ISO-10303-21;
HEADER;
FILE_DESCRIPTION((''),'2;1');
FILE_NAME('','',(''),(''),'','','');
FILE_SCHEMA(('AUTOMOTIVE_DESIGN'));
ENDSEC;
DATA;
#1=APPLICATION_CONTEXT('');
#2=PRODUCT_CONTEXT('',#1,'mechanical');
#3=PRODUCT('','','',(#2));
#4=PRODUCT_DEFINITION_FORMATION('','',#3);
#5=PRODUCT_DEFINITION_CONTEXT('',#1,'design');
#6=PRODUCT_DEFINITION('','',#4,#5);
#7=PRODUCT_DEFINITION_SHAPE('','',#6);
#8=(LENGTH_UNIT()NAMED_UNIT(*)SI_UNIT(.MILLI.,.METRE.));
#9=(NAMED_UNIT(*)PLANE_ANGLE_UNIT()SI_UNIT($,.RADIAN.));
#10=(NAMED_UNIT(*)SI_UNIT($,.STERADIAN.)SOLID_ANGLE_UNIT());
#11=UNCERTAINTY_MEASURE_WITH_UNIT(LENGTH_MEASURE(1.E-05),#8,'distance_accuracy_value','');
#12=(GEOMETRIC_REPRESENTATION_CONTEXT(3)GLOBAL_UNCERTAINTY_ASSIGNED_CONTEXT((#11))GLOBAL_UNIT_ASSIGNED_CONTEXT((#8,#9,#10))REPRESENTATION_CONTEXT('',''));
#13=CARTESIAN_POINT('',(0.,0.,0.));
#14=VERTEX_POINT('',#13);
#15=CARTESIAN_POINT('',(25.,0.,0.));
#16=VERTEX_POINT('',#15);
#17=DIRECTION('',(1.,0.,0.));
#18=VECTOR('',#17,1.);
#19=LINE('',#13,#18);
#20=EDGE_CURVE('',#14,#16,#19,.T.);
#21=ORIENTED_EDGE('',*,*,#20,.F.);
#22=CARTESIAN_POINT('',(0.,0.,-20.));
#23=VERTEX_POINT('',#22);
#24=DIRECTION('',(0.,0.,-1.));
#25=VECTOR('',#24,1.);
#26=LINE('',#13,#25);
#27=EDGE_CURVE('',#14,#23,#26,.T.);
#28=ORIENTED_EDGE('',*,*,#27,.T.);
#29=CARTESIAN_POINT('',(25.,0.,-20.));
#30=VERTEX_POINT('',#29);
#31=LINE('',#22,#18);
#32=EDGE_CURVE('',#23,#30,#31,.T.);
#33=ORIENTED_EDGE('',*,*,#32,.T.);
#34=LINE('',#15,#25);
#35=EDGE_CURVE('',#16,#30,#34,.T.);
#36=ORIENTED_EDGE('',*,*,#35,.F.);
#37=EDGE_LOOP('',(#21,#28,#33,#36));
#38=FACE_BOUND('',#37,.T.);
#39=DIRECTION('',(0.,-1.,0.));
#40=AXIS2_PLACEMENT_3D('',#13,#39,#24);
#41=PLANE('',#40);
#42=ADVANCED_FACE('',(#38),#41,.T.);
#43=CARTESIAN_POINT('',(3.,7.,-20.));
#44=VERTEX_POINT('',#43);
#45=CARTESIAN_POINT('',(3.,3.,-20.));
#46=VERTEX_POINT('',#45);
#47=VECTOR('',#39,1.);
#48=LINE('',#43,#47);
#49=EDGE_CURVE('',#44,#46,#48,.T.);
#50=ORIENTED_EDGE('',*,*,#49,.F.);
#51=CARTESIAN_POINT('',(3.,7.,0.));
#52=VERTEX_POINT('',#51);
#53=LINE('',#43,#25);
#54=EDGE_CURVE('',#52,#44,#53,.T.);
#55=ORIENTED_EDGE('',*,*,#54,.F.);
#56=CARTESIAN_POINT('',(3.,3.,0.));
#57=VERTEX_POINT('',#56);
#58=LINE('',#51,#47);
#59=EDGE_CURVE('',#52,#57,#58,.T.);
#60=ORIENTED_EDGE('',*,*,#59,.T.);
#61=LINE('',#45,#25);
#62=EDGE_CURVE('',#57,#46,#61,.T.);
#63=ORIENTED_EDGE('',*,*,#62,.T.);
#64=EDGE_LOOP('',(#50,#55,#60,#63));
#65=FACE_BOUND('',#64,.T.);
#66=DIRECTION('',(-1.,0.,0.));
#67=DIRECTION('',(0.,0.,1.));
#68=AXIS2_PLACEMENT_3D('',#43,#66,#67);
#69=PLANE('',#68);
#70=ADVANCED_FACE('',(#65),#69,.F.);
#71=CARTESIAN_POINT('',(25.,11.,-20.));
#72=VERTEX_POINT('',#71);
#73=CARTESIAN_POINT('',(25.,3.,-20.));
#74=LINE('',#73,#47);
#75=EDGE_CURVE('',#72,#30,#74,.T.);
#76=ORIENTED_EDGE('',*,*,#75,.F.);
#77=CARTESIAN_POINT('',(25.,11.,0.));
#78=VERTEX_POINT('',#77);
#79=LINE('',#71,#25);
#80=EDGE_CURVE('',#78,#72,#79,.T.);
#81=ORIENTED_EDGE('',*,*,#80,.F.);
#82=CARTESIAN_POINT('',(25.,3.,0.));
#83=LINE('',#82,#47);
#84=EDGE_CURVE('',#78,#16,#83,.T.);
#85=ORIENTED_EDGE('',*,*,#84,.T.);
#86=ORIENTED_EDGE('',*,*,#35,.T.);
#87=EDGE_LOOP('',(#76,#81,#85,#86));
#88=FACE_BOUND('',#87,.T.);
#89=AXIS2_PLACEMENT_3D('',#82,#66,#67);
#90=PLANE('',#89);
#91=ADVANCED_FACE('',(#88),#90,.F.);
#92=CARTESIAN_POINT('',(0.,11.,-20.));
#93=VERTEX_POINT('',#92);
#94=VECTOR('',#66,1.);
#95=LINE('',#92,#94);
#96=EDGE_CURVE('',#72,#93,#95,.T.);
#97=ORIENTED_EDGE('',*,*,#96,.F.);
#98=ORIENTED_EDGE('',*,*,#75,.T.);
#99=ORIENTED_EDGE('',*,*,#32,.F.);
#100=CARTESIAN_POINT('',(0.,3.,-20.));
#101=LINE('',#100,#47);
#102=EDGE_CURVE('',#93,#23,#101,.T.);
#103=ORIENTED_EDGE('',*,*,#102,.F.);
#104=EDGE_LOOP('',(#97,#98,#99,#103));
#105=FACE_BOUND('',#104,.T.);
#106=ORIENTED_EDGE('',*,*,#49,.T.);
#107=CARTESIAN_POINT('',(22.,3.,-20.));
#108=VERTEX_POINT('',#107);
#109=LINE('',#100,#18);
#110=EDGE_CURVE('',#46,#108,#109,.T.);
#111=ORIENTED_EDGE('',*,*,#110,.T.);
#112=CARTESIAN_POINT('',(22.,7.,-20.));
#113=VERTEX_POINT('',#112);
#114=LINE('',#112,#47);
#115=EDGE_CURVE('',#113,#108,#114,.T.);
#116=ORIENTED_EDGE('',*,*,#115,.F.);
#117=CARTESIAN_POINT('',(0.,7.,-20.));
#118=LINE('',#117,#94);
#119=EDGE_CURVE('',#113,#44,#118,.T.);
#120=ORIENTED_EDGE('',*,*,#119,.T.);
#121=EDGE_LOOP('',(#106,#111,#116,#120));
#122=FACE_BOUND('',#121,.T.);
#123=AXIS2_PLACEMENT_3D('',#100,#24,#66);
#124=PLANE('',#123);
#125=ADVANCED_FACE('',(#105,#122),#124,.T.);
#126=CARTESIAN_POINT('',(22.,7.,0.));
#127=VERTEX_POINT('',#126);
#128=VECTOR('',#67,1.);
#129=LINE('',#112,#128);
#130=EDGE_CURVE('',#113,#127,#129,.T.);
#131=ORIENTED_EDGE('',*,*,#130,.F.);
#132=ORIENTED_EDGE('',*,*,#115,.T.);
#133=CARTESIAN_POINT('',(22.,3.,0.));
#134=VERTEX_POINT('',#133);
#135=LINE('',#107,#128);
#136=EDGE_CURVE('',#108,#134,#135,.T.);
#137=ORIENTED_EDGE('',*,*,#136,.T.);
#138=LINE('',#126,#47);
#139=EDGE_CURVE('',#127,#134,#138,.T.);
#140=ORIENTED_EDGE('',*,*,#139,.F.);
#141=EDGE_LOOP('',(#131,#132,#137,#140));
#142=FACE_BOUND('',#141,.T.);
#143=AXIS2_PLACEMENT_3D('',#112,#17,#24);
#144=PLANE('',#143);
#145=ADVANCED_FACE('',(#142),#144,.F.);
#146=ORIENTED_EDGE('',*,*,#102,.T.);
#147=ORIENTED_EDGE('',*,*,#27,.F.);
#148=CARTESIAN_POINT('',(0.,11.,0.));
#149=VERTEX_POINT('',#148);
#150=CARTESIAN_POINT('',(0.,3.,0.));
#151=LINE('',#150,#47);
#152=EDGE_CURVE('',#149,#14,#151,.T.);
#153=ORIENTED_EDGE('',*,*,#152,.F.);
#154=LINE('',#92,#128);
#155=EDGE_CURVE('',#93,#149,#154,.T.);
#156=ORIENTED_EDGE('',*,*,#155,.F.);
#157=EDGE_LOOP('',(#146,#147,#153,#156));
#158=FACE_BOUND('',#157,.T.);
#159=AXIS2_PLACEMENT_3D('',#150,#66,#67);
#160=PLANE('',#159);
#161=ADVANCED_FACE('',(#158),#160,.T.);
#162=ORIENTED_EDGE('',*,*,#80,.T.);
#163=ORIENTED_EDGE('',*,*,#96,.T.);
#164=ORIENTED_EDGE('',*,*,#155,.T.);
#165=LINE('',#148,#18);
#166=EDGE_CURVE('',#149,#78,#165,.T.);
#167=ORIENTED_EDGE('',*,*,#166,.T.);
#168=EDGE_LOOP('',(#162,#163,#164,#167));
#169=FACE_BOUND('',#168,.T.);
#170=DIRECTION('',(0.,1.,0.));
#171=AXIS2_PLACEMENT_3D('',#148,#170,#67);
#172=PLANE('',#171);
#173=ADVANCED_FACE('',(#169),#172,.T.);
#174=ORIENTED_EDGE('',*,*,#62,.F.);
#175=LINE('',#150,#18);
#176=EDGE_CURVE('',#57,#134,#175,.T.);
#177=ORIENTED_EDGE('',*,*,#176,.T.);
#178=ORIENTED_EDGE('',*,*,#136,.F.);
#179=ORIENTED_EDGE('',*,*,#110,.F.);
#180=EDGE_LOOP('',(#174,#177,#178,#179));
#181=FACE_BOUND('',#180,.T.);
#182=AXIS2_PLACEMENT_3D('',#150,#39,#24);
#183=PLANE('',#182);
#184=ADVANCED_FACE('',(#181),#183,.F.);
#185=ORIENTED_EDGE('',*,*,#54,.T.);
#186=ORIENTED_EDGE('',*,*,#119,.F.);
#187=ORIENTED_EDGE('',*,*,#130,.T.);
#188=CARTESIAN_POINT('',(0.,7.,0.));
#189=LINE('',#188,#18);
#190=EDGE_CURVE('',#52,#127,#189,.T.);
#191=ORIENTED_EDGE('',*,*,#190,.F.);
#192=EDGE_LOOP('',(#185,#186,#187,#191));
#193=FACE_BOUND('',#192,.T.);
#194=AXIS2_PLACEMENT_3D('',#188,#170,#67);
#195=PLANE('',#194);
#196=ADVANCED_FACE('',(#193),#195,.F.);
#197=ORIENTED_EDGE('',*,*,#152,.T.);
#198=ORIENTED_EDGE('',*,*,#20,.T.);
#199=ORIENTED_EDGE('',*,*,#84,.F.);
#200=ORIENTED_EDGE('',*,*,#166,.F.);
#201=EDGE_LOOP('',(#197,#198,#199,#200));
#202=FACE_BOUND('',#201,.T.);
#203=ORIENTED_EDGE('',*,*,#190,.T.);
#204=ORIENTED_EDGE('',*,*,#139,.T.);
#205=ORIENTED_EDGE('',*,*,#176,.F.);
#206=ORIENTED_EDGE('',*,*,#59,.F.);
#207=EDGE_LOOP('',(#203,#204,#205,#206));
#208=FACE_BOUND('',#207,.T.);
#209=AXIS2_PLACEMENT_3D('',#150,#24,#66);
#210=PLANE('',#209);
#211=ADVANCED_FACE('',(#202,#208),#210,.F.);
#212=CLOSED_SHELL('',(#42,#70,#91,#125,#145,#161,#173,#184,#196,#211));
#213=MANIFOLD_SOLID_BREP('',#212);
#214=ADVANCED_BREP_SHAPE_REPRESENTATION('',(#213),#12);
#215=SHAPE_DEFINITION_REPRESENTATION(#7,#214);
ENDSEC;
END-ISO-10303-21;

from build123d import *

# Parameters (mm, degrees)
SKETCH1_W           = 25
SKETCH1_H           = 20
BOSS_EXTRUDE1_DEPTH = 3
SKETCH2_W           = 3
SKETCH2_H           = 20
BOSS_EXTRUDE2_DEPTH = 4
SKETCH3_W           = 25
SKETCH3_H           = 20
BOSS_EXTRUDE3_DEPTH = 4


with BuildPart() as part:
    # Sketch1 → Boss-Extrude1 (new body)
    with BuildSketch(Plane(origin=(0, 0, 0), x_dir=(1, 0, 0), z_dir=(0, 1, 0))):
        with Locations((12.5, 10)):
            Rectangle(SKETCH1_W, SKETCH1_H)
    extrude(amount=BOSS_EXTRUDE1_DEPTH)

    # Sketch2 → Boss-Extrude2 (add)
    with BuildSketch(Plane(origin=(0, 3, 0), x_dir=(1, 0, 0), z_dir=(0, 1, 0))):
        with Locations((1.5, 10)):
            Rectangle(SKETCH2_W, SKETCH2_H)
        with Locations((23.5, 10)):
            Rectangle(SKETCH2_W, SKETCH2_H)
    extrude(amount=BOSS_EXTRUDE2_DEPTH)

    # Sketch3 → Boss-Extrude3 (add)
    with BuildSketch(Plane(origin=(0, 7, 0), x_dir=(1, 0, 0), z_dir=(0, 1, 0))):
        with Locations((12.5, 10)):
            Rectangle(SKETCH3_W, SKETCH3_H)
    extrude(amount=BOSS_EXTRUDE3_DEPTH)


solid = part.part
